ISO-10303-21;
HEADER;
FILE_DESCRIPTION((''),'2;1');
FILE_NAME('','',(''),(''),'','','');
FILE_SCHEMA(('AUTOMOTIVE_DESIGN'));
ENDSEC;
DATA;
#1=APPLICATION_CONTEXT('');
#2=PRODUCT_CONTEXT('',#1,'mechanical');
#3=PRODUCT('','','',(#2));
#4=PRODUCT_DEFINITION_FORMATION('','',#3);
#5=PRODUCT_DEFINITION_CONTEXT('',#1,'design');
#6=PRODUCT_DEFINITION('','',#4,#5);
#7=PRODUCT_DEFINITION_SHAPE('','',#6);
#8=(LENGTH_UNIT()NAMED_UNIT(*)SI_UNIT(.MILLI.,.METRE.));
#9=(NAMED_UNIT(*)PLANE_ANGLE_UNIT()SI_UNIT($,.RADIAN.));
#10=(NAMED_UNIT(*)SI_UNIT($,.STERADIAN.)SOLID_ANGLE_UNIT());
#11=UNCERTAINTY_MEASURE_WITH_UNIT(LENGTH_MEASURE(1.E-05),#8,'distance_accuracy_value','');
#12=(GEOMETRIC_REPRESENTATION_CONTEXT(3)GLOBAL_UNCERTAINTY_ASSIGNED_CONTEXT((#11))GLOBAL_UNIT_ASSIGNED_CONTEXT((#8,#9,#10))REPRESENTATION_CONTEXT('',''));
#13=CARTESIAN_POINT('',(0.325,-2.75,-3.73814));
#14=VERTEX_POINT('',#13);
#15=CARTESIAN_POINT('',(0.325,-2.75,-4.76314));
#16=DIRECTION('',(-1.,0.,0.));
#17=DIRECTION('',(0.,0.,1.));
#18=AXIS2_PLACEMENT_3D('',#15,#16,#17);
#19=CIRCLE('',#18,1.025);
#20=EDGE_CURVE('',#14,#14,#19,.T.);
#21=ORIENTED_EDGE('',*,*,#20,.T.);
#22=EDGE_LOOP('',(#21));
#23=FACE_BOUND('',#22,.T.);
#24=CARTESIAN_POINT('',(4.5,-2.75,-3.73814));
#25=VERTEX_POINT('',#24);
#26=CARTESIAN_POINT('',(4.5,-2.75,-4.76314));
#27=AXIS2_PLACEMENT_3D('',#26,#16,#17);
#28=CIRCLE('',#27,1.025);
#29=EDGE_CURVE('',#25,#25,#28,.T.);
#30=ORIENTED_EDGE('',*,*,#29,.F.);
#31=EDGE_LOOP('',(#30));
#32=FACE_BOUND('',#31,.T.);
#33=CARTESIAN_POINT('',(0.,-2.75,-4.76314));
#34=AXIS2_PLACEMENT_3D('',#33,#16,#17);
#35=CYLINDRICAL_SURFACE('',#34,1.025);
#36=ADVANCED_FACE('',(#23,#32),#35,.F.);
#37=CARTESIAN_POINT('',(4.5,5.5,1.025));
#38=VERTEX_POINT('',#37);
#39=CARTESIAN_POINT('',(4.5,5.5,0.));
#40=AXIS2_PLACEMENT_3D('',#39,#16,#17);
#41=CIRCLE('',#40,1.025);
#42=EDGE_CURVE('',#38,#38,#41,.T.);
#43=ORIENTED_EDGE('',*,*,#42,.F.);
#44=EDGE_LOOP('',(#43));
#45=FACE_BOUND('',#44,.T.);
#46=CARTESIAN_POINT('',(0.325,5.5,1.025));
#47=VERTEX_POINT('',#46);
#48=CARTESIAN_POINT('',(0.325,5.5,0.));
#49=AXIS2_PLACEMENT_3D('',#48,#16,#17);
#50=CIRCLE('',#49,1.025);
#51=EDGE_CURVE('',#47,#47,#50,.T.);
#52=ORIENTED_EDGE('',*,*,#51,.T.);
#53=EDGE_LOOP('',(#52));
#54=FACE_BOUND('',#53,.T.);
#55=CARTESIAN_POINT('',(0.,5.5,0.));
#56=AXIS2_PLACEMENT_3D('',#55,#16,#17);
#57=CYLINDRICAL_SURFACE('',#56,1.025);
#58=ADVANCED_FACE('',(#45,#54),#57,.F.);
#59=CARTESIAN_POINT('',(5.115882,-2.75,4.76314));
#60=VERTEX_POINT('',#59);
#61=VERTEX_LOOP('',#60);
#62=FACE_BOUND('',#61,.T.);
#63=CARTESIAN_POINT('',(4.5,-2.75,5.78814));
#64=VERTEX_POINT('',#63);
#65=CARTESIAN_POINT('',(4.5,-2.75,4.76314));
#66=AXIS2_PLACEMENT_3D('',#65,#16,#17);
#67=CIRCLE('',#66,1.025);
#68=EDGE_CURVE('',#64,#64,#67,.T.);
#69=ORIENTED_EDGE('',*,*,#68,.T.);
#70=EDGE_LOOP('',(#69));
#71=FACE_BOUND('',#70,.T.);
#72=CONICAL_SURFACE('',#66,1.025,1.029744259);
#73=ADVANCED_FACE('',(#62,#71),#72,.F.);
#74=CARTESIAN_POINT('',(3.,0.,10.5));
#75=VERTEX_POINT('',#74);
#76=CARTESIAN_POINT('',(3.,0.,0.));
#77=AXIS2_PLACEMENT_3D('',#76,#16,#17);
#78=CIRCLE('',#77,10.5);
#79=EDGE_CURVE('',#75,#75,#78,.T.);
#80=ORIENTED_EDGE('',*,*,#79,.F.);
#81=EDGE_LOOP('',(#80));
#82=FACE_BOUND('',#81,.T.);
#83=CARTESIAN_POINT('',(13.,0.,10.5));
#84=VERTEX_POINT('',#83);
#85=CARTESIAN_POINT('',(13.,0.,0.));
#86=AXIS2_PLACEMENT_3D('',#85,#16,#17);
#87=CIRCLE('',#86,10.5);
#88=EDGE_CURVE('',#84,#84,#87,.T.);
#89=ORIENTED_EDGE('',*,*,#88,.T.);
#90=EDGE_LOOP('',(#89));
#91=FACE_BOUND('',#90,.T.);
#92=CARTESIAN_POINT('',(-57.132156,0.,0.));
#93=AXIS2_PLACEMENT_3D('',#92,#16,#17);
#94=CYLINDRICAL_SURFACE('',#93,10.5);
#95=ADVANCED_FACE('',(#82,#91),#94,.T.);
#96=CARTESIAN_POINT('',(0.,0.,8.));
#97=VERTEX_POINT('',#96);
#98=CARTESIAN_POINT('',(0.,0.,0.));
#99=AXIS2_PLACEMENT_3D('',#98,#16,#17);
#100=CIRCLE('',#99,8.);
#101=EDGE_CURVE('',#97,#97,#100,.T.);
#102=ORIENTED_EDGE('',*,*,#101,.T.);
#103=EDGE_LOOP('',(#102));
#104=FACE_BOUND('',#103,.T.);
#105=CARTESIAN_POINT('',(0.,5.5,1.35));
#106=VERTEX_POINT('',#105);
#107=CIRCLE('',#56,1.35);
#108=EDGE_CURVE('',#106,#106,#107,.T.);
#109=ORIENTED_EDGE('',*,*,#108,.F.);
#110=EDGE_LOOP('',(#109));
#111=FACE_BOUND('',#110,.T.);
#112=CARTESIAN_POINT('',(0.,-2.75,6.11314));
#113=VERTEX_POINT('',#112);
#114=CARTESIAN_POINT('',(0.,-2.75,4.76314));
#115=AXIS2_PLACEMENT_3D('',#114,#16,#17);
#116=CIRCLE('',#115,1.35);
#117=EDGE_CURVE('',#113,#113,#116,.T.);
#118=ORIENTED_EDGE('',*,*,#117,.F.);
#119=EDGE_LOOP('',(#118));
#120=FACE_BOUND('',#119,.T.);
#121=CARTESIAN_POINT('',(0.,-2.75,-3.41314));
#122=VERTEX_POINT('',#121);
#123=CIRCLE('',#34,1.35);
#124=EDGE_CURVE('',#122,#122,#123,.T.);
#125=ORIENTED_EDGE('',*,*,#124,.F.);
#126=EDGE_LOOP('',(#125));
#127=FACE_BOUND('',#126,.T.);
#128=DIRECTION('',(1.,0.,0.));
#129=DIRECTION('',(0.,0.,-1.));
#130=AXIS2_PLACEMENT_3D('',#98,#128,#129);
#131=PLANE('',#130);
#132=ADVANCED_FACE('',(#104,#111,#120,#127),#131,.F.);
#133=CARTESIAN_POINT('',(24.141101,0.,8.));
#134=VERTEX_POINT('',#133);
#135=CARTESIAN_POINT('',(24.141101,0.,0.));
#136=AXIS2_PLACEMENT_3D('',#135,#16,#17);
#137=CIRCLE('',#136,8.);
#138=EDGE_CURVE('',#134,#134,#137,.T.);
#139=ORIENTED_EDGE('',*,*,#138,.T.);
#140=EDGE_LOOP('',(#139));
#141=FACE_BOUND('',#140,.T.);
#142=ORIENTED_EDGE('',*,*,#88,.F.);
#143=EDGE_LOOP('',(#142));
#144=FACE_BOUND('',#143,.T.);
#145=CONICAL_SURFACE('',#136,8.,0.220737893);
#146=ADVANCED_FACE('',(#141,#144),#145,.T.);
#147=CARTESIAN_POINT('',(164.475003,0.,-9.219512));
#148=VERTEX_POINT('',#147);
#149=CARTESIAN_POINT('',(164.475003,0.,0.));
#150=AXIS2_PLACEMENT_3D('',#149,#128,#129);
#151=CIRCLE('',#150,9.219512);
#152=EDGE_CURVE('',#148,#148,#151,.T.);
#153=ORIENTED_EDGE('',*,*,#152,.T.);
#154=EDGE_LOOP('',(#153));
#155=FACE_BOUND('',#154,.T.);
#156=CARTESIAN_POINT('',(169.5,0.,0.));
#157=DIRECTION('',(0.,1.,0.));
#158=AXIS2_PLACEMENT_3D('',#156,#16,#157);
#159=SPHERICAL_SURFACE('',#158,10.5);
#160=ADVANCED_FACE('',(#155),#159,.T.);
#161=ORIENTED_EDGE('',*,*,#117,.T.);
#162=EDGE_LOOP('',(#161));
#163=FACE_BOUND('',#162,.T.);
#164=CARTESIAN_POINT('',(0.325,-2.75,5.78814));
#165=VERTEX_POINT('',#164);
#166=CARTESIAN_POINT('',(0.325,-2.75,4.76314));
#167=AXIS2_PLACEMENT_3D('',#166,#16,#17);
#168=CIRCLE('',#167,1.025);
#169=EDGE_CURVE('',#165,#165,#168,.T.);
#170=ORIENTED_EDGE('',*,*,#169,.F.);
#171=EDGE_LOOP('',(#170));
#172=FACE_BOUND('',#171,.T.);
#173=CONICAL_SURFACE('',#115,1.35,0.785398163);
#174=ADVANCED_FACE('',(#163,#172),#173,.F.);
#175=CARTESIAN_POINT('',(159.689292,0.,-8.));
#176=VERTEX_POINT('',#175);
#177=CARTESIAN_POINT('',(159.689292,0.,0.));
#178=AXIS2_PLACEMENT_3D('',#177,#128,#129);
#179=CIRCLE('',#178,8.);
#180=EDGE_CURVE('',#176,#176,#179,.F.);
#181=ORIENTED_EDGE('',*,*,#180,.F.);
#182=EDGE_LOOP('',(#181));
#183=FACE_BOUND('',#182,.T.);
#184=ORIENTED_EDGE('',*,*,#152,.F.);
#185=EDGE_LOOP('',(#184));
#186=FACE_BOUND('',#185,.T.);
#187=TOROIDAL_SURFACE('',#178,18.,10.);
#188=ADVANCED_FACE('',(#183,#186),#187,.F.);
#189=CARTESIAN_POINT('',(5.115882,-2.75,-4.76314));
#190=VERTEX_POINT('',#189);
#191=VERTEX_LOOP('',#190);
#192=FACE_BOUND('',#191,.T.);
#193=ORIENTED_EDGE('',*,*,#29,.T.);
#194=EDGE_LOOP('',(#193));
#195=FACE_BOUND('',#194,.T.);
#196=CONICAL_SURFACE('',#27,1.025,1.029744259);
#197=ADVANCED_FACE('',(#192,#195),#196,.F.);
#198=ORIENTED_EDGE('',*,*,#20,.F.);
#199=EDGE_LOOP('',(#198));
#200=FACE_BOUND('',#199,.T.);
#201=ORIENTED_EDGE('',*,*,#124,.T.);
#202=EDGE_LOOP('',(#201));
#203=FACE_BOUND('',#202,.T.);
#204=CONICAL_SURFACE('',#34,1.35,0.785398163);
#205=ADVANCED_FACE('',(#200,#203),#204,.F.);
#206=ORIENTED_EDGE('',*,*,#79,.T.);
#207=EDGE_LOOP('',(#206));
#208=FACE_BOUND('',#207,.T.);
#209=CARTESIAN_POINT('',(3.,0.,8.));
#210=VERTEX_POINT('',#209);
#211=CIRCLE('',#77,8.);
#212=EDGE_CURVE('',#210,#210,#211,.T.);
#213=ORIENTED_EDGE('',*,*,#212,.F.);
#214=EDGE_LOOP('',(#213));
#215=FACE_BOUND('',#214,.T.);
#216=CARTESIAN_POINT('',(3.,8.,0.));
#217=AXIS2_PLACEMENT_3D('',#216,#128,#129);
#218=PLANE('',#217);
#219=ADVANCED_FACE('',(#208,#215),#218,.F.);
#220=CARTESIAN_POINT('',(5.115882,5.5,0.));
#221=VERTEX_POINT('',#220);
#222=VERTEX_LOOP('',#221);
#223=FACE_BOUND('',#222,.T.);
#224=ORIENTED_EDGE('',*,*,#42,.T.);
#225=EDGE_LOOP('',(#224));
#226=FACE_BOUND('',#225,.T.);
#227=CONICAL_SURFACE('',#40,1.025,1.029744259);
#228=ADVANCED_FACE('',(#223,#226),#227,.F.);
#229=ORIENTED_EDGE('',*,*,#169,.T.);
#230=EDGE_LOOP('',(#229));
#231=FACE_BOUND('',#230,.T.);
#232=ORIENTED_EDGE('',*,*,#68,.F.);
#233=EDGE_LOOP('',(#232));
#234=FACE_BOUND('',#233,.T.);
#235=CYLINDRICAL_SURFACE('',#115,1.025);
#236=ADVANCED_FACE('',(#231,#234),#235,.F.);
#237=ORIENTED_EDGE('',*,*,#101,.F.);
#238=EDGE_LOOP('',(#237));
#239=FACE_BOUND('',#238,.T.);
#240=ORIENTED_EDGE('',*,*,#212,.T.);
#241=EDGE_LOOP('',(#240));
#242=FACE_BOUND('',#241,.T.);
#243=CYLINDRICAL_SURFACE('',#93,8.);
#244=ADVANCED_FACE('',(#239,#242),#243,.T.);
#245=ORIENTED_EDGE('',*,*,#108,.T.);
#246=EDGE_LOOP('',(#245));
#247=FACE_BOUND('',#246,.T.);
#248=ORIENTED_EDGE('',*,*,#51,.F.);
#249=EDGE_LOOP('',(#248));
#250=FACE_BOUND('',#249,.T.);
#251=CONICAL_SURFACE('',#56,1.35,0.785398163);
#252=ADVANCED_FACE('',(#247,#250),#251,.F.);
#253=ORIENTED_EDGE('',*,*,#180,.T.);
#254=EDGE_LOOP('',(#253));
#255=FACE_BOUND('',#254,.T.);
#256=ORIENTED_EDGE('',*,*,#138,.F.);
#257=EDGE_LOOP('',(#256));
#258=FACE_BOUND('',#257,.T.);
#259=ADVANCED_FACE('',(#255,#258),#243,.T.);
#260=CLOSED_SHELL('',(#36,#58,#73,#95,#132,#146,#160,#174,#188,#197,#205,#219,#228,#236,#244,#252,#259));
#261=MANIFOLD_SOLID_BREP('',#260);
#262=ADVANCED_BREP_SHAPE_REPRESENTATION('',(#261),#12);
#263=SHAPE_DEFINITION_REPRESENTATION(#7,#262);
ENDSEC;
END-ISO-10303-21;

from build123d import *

# Parameters (mm, degrees)
R_P_TITION_CIRCULAIRE1_COUNT = 3
CONG_1_R                     = 10


with BuildPart() as part:
    # Esquisse1 → Révolution1 (revolve)
    with BuildSketch(Plane.XY, mode=Mode.PRIVATE) as r_volution1_sk:
        with BuildLine():
            Line((0, 0), (0, 8))
            Line((0, 8), (3, 8))
            Line((3, 8), (3, 10.5))
            Line((3, 10.5), (13, 10.5))
            Line((13, 10.5), (24.141100896, 8))
            Line((24.141100896, 8), (162.699264746, 8))
            ThreePointArc((162.699264746, 8), (173.906942241, 9.530417624), (180, 0))
            Line((180, 0), (0, 0))
        make_face()
    revolve(r_volution1_sk.sketch.rotate(Axis((-57.132155607, 0, 0), (1, 0, 0)), 90), axis=Axis((-57.132155607, 0, 0), (1, 0, 0)))

    # Esquisse4 → Trou taraudé M2.51 (revolve, cut)
    with BuildSketch(Plane.ZX.offset(5.5)):
        Polygon((0, 0), (0, 5.115882135), (1.025, 4.5), (1.025, 0.325), (1.35, 0), align=None)
    trou_taraud_m2_51 = revolve(axis=Axis((-6.35, 5.5, 0), (1, 0, 0)), mode=Mode.SUBTRACT)

    # Répétition circulaire1: Trou taraudé M2.51 ×3 about axis
    r_p_tition_circulaire1_axis = Axis((0, 0, 0), (1, 0, 0))
    for i in range(1, R_P_TITION_CIRCULAIRE1_COUNT):
        add(trou_taraud_m2_51.rotate(r_p_tition_circulaire1_axis, i * 360 / R_P_TITION_CIRCULAIRE1_COUNT), mode=Mode.SUBTRACT)

    # Congé1
    cong_1_edges = [part.edges().sort_by_distance(p)[0] for p in [
        (162.699264746, 0, -8),
    ]]
    fillet(cong_1_edges, radius=CONG_1_R)


solid = part.part
